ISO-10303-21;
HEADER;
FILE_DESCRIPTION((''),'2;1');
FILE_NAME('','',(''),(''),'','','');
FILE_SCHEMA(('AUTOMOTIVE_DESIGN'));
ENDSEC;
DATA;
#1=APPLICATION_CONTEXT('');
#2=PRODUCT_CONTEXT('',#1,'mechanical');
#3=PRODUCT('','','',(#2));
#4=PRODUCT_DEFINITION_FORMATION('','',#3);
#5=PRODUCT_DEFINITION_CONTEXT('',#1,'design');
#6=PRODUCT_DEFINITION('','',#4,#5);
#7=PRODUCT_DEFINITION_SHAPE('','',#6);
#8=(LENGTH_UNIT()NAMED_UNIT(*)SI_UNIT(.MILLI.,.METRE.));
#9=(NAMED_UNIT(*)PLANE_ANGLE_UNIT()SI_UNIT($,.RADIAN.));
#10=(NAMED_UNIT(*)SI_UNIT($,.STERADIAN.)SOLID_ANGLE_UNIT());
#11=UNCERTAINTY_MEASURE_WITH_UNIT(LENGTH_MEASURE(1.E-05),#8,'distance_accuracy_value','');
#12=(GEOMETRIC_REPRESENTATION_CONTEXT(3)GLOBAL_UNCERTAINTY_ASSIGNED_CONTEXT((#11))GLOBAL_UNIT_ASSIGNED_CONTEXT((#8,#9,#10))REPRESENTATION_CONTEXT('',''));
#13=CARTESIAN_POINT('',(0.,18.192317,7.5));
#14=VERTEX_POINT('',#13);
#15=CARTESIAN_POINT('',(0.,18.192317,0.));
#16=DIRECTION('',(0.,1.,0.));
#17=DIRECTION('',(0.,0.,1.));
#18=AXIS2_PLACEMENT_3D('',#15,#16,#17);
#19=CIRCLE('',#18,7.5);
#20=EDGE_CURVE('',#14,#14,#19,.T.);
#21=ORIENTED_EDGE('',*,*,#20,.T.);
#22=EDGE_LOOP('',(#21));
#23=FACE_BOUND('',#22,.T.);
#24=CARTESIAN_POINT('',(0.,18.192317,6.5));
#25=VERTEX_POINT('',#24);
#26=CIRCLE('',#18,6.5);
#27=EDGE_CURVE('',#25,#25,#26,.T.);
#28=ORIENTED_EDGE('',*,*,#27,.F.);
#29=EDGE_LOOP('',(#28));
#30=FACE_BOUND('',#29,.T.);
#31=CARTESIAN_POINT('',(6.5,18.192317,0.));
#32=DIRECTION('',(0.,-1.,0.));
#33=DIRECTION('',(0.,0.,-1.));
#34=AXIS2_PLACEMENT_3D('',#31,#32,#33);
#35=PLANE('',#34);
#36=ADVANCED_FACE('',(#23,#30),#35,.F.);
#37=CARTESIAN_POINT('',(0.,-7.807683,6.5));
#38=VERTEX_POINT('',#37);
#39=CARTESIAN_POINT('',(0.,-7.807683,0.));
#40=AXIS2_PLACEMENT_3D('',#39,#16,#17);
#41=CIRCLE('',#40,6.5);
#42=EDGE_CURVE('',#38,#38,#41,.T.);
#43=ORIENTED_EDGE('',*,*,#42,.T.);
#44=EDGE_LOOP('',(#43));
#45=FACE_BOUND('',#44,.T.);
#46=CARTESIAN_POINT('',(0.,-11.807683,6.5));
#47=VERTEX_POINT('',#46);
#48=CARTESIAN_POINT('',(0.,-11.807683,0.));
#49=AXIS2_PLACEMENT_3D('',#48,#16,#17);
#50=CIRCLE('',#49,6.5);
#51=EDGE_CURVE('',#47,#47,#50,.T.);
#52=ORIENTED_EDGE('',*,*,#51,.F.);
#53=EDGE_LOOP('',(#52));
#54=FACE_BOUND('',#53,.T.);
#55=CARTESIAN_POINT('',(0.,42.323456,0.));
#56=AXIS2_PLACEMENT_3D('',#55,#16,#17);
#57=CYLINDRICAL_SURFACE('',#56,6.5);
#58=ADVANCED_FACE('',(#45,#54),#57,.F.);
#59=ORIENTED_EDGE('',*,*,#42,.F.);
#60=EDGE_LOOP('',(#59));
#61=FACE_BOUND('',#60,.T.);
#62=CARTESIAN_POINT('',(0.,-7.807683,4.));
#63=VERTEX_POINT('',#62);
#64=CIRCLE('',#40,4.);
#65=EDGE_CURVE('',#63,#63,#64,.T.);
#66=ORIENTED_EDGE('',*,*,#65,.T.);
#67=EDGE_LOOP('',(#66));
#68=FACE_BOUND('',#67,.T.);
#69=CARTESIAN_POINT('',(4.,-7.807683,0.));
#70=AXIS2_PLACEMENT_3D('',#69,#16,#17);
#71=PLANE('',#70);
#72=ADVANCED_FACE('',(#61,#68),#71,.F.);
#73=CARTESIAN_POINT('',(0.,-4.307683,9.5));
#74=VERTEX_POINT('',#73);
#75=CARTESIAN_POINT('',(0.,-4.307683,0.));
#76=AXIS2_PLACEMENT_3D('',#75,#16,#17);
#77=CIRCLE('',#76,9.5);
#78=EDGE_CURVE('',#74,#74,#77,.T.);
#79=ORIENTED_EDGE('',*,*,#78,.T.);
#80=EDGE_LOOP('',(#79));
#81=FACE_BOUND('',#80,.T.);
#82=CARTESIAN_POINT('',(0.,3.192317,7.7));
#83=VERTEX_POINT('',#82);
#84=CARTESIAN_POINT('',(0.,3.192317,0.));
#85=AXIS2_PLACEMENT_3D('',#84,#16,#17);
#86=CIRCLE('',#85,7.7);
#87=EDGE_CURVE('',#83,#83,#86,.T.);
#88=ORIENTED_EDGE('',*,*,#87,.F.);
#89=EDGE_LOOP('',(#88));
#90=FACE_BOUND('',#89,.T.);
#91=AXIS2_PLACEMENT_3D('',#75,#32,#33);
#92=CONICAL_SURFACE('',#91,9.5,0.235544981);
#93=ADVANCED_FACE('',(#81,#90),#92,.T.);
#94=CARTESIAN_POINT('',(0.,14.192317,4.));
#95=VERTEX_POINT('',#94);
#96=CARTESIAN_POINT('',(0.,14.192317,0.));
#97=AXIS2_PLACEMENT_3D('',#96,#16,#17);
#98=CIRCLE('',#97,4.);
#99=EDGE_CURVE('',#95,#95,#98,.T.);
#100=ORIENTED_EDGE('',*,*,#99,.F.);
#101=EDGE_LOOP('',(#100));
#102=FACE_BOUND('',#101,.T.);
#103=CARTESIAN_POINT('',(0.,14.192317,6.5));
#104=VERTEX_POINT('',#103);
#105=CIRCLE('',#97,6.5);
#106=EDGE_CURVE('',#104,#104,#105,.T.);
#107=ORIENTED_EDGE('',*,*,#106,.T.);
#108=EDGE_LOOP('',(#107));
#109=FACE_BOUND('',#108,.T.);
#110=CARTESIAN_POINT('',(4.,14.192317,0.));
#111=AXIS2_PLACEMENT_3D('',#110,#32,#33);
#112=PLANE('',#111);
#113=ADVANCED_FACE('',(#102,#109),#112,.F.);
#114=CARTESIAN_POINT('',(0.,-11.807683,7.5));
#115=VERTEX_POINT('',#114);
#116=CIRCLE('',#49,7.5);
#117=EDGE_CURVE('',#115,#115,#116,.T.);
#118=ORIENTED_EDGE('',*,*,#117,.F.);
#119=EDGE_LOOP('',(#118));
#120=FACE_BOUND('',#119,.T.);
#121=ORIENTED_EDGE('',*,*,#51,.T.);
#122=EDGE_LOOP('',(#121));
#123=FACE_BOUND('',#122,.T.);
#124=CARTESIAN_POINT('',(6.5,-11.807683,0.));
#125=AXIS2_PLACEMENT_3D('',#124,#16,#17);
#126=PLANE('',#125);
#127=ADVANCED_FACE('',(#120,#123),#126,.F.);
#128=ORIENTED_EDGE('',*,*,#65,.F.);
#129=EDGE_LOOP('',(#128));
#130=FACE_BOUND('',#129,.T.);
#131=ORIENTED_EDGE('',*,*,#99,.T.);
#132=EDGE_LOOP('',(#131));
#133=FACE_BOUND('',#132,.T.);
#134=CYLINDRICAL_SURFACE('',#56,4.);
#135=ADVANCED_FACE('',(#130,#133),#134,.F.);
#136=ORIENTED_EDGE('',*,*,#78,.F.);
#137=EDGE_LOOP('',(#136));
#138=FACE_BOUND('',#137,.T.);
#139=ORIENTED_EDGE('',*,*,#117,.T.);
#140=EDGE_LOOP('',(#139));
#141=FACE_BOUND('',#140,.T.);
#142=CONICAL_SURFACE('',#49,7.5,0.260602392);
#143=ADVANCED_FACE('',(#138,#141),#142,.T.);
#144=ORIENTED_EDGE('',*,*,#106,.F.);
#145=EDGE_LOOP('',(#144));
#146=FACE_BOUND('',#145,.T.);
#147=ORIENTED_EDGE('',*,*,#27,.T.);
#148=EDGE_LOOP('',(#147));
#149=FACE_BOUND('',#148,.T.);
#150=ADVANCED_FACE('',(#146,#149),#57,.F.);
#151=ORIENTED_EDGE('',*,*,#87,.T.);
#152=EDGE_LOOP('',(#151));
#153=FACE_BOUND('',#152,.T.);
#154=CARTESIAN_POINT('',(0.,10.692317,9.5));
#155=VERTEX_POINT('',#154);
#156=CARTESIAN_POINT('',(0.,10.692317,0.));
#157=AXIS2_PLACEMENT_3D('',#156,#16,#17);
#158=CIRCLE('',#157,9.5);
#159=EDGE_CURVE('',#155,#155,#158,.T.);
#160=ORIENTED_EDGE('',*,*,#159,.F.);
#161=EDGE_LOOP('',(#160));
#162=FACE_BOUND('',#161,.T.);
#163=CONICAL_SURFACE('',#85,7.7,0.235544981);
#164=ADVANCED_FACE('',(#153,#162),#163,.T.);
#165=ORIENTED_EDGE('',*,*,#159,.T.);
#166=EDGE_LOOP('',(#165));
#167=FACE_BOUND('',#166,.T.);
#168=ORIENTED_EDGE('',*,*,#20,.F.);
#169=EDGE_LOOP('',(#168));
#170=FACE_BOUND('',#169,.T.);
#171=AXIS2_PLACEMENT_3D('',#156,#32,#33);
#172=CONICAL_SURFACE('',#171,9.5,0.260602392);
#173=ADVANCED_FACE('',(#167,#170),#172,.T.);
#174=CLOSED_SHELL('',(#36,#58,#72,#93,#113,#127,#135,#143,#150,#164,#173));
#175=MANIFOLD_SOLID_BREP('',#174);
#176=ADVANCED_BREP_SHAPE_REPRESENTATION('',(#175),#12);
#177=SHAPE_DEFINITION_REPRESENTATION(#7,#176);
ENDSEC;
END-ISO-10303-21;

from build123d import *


with BuildPart() as part:
    # Sketch1 → Revolve1 (revolve)
    with BuildSketch(Plane.XY):
        Polygon((4, -7.807683218), (4, 14.192316782), (6.5, 14.192316782), (6.5, 18.192316782), (7.5, 18.192316782), (9.5, 10.692316782), (7.7, 3.192316782), (9.5, -4.307683218), (7.5, -11.807683218), (6.5, -11.807683218), (6.5, -7.807683218), align=None)
    revolve(axis=Axis((0, 42.323455848, 0), (0, -1, 0)))


solid = part.part
